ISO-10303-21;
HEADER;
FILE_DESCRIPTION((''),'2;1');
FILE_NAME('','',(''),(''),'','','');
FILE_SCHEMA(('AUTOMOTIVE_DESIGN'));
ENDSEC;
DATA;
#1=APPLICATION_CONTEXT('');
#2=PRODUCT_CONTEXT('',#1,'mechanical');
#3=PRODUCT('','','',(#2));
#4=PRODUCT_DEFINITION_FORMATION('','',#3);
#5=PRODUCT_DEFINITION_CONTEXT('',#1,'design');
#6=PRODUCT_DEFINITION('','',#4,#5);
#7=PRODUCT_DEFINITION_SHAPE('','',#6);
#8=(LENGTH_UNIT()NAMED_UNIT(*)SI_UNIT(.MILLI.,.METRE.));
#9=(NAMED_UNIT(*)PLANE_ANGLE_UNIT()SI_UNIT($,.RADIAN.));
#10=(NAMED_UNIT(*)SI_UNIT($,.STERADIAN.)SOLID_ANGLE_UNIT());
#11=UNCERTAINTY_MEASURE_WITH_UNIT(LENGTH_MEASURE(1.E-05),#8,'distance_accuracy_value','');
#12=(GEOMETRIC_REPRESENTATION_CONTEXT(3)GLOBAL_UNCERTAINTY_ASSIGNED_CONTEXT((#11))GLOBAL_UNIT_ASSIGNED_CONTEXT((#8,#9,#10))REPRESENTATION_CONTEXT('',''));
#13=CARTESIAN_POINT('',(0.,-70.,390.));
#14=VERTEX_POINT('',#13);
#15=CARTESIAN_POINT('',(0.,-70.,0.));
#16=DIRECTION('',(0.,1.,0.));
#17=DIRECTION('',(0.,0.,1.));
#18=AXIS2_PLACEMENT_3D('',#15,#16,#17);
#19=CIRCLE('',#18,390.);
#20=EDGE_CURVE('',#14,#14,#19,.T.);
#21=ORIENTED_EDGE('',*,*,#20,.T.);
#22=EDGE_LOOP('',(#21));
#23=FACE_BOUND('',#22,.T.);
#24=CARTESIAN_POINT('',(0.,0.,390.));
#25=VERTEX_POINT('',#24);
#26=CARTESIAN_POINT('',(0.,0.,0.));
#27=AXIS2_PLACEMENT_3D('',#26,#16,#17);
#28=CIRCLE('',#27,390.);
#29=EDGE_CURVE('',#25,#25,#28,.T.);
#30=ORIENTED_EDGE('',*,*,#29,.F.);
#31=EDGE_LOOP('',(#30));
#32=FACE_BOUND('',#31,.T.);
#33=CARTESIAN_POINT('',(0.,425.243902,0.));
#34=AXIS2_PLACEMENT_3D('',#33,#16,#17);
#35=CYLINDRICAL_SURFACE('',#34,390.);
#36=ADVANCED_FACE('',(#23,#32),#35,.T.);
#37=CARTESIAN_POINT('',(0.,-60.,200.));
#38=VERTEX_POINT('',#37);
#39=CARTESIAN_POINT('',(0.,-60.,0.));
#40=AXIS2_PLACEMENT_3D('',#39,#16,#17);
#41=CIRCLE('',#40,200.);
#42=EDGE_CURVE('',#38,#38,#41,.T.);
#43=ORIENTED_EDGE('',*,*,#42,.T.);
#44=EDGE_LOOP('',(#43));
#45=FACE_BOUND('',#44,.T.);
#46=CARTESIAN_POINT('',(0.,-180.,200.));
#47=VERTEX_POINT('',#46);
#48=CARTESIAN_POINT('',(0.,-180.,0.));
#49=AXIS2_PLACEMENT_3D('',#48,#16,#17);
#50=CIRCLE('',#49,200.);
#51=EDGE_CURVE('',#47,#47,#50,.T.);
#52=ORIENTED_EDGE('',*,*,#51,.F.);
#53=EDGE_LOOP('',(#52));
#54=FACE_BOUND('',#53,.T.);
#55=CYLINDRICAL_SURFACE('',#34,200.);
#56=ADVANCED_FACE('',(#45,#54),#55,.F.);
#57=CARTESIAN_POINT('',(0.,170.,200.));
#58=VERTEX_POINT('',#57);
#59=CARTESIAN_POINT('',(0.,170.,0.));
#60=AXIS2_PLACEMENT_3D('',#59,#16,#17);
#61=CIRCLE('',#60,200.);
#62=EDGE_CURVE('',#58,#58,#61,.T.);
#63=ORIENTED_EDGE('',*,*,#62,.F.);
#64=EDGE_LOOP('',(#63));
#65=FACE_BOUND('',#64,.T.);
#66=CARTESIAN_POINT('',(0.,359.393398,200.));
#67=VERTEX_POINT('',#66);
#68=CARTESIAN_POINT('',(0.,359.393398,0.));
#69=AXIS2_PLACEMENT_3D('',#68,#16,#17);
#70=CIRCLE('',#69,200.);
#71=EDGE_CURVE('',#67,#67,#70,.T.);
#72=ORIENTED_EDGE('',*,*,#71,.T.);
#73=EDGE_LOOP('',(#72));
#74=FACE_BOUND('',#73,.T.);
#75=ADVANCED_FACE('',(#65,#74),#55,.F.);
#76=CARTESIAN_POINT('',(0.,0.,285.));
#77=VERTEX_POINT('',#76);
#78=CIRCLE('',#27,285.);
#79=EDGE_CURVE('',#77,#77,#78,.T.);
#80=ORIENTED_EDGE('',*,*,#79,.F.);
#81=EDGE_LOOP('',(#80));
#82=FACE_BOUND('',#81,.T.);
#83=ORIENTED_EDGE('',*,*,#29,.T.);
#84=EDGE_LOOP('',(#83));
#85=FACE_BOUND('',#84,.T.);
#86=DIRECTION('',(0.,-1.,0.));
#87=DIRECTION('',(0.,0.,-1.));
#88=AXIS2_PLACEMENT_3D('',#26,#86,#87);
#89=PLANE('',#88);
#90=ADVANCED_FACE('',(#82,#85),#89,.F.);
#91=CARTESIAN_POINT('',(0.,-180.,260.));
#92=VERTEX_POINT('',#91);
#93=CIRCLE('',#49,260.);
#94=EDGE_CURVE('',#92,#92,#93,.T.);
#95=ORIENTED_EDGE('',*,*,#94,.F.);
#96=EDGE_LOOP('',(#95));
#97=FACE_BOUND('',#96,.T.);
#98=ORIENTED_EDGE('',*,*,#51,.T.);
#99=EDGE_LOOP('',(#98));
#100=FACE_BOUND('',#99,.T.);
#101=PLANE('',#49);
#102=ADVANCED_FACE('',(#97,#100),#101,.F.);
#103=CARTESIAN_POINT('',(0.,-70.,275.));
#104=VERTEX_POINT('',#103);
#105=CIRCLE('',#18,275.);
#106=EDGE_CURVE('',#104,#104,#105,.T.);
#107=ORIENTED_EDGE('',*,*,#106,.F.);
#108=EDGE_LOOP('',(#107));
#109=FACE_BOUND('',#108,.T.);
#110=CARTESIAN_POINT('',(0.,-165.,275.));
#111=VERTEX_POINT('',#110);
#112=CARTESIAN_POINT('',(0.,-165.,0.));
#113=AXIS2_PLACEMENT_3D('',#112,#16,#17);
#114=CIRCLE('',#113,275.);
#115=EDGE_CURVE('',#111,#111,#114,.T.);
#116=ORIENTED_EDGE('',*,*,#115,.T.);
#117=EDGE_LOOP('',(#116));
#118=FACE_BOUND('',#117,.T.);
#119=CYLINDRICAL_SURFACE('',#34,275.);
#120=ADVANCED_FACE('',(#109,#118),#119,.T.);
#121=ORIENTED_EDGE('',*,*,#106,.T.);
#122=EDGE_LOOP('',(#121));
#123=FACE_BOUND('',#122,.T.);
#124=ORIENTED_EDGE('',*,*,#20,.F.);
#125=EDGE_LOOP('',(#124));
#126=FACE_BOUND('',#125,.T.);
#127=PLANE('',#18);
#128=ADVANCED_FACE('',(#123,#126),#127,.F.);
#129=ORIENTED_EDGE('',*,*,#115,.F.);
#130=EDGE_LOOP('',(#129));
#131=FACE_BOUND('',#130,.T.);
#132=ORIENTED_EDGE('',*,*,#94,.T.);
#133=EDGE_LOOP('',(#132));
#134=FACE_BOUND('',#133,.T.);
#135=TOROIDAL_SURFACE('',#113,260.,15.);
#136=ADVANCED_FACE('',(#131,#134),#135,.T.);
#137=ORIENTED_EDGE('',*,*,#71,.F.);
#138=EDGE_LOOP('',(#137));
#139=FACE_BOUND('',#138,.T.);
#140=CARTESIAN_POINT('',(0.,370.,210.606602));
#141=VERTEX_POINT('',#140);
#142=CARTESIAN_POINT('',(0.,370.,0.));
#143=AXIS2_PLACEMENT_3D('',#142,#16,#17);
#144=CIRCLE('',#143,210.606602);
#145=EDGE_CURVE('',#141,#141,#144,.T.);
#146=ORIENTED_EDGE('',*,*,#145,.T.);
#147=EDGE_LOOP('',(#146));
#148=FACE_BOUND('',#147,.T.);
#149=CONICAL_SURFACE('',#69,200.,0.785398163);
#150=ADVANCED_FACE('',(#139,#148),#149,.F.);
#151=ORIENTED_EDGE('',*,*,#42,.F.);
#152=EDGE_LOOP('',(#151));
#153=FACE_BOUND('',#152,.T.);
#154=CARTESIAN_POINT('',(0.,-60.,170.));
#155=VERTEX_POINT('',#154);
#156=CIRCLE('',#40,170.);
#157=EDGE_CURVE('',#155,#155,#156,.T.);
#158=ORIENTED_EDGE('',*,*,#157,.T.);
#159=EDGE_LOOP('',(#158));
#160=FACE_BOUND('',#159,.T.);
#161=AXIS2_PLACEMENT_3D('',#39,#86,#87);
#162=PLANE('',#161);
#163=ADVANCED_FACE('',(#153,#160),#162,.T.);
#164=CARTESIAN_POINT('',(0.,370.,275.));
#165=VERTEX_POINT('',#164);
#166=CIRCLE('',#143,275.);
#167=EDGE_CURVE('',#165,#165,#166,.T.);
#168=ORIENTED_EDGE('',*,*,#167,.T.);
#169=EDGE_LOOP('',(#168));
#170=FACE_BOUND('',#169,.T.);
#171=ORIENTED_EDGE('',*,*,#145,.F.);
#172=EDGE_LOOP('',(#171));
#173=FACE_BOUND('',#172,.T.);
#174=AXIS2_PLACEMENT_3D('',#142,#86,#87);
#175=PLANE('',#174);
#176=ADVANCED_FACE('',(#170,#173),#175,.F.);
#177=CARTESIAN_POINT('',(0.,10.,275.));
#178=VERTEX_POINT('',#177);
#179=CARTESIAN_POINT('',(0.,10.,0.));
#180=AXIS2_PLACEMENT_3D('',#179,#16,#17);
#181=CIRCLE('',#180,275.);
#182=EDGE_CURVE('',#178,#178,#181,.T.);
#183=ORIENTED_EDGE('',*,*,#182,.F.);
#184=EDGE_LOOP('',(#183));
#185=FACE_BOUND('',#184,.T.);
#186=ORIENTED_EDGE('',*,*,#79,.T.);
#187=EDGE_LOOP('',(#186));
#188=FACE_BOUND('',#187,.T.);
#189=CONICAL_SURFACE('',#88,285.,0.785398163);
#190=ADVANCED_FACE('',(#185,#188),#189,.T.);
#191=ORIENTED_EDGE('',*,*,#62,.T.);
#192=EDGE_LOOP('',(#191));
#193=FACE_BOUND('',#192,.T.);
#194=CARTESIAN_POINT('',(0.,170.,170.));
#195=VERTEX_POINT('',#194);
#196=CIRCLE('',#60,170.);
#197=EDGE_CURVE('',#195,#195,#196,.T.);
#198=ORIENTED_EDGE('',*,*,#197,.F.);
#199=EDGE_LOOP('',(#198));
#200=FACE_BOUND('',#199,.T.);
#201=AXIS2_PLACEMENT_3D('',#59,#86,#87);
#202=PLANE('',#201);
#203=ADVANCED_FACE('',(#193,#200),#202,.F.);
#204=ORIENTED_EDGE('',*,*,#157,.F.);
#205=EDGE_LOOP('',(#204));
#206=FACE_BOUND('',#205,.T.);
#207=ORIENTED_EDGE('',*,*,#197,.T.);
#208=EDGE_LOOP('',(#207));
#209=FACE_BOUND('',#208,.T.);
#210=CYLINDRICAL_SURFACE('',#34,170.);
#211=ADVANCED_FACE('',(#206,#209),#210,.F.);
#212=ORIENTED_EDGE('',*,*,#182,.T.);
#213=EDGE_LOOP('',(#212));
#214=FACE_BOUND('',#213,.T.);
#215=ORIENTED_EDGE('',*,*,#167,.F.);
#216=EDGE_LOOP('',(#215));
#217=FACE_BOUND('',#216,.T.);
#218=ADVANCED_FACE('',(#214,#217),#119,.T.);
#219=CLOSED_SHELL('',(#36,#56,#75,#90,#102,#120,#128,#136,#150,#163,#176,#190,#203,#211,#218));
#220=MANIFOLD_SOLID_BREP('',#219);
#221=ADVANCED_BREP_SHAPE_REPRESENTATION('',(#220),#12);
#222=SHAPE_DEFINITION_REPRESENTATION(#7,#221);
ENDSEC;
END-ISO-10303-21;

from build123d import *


with BuildPart() as part:
    # Esquisse1 → Révolution1 (revolve)
    with BuildSketch(Plane.XY, mode=Mode.PRIVATE) as r_volution1_sk:
        with BuildLine():
            Line((200, -60), (200, -180))
            Line((200, -180), (260, -180))
            ThreePointArc((260, -180), (270.606601718, -175.606601718), (275, -165))
            Line((275, -165), (275, -70))
            Line((275, -70), (390, -70))
            Line((390, -70), (390, 0))
            Line((390, 0), (285, 0))
            Line((285, 0), (275, 10))
            Line((275, 10), (275, 370))
            Line((275, 370), (210.606601718, 370))
            Line((210.606601718, 370), (200, 359.393398282))
            Line((200, 359.393398282), (200, 170))
            Line((200, 170), (170, 170))
            Line((170, 170), (170, -60))
            Line((170, -60), (200, -60))
        make_face()
    revolve(r_volution1_sk.sketch.rotate(Axis((0, 425.243902439, 0), (0, -1, 0)), 90), axis=Axis((0, 425.243902439, 0), (0, -1, 0)))


solid = part.part
